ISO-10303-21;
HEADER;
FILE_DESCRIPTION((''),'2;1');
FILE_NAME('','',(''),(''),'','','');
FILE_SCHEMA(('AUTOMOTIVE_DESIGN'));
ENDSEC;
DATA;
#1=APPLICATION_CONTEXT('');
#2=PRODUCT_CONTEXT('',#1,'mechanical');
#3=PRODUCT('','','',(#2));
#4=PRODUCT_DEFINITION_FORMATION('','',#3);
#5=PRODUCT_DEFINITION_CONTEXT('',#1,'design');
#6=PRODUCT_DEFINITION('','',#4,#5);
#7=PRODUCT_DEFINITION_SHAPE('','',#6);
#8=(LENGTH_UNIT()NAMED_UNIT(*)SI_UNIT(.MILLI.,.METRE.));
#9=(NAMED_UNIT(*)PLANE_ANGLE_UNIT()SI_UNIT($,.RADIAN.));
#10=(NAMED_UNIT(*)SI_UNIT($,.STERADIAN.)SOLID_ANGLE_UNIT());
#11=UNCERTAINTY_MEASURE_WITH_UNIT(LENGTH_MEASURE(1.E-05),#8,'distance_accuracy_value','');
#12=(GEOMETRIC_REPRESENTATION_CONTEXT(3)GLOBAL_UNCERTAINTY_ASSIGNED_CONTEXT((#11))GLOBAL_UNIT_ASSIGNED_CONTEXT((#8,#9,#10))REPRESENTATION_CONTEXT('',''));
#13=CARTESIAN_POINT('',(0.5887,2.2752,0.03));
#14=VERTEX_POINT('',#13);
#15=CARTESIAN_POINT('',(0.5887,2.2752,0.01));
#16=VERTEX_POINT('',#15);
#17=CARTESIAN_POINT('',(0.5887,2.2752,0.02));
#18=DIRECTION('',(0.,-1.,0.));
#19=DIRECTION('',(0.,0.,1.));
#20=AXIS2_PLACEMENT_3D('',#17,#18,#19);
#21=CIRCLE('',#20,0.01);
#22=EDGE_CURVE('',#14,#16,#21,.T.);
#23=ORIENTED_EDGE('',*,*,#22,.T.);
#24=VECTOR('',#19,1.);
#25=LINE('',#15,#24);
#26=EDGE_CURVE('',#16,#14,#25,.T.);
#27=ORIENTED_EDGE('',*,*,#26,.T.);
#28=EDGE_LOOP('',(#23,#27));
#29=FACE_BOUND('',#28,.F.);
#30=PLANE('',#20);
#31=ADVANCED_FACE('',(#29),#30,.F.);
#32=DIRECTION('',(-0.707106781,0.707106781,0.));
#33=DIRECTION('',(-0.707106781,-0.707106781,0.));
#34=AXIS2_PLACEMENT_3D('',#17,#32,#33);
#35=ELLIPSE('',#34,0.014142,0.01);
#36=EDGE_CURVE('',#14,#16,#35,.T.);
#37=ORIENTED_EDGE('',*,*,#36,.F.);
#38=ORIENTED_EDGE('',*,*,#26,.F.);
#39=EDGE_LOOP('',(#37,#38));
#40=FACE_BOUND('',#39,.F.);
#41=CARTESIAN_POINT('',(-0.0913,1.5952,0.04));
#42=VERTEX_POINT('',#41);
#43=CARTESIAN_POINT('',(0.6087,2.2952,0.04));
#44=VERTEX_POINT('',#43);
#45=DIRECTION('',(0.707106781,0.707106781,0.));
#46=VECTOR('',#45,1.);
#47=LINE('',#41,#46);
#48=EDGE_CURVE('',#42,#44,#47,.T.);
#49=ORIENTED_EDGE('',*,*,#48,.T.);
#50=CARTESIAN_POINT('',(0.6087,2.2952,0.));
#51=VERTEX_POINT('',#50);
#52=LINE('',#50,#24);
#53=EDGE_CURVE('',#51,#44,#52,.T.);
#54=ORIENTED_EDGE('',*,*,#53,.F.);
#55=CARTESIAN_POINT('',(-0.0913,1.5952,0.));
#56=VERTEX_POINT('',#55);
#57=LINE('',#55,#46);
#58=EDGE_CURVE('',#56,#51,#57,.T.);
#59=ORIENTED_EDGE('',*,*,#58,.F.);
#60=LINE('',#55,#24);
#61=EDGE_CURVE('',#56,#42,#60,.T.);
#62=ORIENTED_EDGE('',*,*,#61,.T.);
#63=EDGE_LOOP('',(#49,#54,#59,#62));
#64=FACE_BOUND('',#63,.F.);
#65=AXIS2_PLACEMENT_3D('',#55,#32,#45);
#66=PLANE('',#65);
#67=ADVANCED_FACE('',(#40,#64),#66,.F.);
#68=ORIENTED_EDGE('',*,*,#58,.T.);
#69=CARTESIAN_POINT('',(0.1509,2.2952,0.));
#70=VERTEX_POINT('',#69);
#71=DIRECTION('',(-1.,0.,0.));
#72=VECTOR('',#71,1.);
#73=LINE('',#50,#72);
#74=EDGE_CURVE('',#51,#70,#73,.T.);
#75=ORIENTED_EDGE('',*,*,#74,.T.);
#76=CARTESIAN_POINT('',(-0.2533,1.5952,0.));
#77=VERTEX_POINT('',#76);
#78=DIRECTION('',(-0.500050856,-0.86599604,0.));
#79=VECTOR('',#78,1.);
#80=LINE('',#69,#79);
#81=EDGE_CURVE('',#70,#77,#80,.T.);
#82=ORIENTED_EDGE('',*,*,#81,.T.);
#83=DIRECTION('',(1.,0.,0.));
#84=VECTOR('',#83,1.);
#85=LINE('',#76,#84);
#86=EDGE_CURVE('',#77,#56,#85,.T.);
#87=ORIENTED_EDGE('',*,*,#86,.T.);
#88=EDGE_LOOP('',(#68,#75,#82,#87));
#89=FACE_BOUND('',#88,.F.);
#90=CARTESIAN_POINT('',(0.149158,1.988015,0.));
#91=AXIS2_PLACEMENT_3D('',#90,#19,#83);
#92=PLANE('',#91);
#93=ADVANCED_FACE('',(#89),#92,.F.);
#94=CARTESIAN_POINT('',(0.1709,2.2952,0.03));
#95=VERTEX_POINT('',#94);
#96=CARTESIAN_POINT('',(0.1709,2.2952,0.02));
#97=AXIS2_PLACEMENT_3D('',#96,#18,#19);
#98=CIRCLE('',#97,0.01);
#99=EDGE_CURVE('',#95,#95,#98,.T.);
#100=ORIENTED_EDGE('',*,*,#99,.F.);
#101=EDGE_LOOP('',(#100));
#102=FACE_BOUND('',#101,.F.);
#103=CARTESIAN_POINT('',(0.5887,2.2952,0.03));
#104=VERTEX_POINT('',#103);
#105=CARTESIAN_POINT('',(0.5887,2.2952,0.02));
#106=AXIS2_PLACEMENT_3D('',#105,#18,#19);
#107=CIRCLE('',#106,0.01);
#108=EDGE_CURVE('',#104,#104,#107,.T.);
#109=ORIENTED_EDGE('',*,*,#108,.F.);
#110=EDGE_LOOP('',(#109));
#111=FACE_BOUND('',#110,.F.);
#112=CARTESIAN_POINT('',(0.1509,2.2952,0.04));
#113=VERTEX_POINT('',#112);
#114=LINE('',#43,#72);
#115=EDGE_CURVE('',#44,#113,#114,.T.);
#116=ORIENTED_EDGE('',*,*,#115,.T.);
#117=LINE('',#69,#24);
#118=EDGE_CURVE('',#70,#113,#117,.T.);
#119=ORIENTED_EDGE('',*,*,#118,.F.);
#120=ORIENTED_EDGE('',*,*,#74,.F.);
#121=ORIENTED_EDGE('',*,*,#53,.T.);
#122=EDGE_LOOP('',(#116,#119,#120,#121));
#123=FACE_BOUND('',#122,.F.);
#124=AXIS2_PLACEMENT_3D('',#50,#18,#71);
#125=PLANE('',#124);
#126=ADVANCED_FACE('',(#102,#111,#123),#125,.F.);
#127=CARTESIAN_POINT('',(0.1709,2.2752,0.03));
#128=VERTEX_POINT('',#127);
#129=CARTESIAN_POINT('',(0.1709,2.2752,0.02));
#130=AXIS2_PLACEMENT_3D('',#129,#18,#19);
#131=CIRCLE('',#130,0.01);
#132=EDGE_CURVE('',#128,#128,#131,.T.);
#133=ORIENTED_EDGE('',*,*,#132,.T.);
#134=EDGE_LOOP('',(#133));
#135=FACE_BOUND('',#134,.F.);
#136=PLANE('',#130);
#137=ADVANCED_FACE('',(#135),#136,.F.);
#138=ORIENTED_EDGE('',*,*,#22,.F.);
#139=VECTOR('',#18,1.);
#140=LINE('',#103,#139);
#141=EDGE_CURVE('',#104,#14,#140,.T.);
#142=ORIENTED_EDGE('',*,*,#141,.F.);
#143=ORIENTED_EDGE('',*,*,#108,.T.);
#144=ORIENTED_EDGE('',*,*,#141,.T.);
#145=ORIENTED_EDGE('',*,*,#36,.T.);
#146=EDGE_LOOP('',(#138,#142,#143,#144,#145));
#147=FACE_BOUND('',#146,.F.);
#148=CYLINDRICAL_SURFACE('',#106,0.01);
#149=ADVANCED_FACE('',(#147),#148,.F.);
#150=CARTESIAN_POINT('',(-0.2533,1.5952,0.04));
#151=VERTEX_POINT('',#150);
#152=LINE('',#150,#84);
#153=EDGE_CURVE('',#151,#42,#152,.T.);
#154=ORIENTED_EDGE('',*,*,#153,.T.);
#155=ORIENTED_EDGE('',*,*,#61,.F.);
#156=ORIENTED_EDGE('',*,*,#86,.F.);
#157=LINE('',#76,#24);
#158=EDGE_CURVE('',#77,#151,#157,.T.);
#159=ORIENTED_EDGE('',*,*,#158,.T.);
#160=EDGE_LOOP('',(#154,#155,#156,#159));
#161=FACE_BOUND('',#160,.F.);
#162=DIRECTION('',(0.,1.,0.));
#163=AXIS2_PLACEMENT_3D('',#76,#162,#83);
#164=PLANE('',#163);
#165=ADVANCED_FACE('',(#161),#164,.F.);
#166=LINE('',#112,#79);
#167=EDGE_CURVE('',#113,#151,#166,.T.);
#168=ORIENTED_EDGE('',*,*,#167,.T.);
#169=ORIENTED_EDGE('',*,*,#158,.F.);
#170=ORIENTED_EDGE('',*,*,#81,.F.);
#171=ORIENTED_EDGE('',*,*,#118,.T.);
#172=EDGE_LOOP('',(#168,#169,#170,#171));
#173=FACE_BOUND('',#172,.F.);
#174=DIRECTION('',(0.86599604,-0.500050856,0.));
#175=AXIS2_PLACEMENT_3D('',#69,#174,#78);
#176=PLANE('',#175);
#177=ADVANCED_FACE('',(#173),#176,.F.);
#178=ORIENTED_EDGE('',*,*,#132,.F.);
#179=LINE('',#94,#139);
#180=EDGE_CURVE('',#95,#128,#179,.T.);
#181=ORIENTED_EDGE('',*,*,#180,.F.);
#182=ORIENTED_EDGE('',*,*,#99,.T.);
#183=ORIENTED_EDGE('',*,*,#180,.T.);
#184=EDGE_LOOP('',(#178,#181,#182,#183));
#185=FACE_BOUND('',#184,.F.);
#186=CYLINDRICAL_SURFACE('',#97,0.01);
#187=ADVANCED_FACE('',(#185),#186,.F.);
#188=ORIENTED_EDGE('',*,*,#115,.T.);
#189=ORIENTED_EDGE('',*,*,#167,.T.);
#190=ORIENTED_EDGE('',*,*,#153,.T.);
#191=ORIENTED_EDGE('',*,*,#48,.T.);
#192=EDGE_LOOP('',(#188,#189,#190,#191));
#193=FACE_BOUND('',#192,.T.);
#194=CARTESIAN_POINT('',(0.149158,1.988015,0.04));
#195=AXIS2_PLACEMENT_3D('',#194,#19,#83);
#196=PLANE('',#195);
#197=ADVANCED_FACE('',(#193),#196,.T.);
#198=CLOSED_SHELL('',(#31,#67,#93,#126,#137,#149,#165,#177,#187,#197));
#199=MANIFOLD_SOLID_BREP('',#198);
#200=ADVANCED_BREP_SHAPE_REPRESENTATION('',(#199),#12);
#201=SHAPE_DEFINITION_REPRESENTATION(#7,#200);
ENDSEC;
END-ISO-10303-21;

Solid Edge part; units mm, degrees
sketch "Sketch1" plane through (0, 0, 0) normal (0, 0, 1) x (1, 0, 0)
  line L0 (-0.0913, 1.5952) -> (0.6087, 2.2952)
  line L1 (0.6087, 2.2952) -> (0.1509, 2.2952)
  line L2 (0.1509, 2.2952) -> (-0.2533, 1.5952)
  line L3 (-0.2533, 1.5952) -> (-0.0913, 1.5952)
extrude "Protrusion1" add sketch "Sketch1" along normal blind 0.04
hole "Bohrung_11" at (0.5887, 2.2952, 0.02) direction (0, -1, 0) diameter 0.02 depth 0.02
hole "Hole1" at (0.1709, 2.2952, 0.02) direction (0, -1, 0) diameter 0.02 depth 0.02
